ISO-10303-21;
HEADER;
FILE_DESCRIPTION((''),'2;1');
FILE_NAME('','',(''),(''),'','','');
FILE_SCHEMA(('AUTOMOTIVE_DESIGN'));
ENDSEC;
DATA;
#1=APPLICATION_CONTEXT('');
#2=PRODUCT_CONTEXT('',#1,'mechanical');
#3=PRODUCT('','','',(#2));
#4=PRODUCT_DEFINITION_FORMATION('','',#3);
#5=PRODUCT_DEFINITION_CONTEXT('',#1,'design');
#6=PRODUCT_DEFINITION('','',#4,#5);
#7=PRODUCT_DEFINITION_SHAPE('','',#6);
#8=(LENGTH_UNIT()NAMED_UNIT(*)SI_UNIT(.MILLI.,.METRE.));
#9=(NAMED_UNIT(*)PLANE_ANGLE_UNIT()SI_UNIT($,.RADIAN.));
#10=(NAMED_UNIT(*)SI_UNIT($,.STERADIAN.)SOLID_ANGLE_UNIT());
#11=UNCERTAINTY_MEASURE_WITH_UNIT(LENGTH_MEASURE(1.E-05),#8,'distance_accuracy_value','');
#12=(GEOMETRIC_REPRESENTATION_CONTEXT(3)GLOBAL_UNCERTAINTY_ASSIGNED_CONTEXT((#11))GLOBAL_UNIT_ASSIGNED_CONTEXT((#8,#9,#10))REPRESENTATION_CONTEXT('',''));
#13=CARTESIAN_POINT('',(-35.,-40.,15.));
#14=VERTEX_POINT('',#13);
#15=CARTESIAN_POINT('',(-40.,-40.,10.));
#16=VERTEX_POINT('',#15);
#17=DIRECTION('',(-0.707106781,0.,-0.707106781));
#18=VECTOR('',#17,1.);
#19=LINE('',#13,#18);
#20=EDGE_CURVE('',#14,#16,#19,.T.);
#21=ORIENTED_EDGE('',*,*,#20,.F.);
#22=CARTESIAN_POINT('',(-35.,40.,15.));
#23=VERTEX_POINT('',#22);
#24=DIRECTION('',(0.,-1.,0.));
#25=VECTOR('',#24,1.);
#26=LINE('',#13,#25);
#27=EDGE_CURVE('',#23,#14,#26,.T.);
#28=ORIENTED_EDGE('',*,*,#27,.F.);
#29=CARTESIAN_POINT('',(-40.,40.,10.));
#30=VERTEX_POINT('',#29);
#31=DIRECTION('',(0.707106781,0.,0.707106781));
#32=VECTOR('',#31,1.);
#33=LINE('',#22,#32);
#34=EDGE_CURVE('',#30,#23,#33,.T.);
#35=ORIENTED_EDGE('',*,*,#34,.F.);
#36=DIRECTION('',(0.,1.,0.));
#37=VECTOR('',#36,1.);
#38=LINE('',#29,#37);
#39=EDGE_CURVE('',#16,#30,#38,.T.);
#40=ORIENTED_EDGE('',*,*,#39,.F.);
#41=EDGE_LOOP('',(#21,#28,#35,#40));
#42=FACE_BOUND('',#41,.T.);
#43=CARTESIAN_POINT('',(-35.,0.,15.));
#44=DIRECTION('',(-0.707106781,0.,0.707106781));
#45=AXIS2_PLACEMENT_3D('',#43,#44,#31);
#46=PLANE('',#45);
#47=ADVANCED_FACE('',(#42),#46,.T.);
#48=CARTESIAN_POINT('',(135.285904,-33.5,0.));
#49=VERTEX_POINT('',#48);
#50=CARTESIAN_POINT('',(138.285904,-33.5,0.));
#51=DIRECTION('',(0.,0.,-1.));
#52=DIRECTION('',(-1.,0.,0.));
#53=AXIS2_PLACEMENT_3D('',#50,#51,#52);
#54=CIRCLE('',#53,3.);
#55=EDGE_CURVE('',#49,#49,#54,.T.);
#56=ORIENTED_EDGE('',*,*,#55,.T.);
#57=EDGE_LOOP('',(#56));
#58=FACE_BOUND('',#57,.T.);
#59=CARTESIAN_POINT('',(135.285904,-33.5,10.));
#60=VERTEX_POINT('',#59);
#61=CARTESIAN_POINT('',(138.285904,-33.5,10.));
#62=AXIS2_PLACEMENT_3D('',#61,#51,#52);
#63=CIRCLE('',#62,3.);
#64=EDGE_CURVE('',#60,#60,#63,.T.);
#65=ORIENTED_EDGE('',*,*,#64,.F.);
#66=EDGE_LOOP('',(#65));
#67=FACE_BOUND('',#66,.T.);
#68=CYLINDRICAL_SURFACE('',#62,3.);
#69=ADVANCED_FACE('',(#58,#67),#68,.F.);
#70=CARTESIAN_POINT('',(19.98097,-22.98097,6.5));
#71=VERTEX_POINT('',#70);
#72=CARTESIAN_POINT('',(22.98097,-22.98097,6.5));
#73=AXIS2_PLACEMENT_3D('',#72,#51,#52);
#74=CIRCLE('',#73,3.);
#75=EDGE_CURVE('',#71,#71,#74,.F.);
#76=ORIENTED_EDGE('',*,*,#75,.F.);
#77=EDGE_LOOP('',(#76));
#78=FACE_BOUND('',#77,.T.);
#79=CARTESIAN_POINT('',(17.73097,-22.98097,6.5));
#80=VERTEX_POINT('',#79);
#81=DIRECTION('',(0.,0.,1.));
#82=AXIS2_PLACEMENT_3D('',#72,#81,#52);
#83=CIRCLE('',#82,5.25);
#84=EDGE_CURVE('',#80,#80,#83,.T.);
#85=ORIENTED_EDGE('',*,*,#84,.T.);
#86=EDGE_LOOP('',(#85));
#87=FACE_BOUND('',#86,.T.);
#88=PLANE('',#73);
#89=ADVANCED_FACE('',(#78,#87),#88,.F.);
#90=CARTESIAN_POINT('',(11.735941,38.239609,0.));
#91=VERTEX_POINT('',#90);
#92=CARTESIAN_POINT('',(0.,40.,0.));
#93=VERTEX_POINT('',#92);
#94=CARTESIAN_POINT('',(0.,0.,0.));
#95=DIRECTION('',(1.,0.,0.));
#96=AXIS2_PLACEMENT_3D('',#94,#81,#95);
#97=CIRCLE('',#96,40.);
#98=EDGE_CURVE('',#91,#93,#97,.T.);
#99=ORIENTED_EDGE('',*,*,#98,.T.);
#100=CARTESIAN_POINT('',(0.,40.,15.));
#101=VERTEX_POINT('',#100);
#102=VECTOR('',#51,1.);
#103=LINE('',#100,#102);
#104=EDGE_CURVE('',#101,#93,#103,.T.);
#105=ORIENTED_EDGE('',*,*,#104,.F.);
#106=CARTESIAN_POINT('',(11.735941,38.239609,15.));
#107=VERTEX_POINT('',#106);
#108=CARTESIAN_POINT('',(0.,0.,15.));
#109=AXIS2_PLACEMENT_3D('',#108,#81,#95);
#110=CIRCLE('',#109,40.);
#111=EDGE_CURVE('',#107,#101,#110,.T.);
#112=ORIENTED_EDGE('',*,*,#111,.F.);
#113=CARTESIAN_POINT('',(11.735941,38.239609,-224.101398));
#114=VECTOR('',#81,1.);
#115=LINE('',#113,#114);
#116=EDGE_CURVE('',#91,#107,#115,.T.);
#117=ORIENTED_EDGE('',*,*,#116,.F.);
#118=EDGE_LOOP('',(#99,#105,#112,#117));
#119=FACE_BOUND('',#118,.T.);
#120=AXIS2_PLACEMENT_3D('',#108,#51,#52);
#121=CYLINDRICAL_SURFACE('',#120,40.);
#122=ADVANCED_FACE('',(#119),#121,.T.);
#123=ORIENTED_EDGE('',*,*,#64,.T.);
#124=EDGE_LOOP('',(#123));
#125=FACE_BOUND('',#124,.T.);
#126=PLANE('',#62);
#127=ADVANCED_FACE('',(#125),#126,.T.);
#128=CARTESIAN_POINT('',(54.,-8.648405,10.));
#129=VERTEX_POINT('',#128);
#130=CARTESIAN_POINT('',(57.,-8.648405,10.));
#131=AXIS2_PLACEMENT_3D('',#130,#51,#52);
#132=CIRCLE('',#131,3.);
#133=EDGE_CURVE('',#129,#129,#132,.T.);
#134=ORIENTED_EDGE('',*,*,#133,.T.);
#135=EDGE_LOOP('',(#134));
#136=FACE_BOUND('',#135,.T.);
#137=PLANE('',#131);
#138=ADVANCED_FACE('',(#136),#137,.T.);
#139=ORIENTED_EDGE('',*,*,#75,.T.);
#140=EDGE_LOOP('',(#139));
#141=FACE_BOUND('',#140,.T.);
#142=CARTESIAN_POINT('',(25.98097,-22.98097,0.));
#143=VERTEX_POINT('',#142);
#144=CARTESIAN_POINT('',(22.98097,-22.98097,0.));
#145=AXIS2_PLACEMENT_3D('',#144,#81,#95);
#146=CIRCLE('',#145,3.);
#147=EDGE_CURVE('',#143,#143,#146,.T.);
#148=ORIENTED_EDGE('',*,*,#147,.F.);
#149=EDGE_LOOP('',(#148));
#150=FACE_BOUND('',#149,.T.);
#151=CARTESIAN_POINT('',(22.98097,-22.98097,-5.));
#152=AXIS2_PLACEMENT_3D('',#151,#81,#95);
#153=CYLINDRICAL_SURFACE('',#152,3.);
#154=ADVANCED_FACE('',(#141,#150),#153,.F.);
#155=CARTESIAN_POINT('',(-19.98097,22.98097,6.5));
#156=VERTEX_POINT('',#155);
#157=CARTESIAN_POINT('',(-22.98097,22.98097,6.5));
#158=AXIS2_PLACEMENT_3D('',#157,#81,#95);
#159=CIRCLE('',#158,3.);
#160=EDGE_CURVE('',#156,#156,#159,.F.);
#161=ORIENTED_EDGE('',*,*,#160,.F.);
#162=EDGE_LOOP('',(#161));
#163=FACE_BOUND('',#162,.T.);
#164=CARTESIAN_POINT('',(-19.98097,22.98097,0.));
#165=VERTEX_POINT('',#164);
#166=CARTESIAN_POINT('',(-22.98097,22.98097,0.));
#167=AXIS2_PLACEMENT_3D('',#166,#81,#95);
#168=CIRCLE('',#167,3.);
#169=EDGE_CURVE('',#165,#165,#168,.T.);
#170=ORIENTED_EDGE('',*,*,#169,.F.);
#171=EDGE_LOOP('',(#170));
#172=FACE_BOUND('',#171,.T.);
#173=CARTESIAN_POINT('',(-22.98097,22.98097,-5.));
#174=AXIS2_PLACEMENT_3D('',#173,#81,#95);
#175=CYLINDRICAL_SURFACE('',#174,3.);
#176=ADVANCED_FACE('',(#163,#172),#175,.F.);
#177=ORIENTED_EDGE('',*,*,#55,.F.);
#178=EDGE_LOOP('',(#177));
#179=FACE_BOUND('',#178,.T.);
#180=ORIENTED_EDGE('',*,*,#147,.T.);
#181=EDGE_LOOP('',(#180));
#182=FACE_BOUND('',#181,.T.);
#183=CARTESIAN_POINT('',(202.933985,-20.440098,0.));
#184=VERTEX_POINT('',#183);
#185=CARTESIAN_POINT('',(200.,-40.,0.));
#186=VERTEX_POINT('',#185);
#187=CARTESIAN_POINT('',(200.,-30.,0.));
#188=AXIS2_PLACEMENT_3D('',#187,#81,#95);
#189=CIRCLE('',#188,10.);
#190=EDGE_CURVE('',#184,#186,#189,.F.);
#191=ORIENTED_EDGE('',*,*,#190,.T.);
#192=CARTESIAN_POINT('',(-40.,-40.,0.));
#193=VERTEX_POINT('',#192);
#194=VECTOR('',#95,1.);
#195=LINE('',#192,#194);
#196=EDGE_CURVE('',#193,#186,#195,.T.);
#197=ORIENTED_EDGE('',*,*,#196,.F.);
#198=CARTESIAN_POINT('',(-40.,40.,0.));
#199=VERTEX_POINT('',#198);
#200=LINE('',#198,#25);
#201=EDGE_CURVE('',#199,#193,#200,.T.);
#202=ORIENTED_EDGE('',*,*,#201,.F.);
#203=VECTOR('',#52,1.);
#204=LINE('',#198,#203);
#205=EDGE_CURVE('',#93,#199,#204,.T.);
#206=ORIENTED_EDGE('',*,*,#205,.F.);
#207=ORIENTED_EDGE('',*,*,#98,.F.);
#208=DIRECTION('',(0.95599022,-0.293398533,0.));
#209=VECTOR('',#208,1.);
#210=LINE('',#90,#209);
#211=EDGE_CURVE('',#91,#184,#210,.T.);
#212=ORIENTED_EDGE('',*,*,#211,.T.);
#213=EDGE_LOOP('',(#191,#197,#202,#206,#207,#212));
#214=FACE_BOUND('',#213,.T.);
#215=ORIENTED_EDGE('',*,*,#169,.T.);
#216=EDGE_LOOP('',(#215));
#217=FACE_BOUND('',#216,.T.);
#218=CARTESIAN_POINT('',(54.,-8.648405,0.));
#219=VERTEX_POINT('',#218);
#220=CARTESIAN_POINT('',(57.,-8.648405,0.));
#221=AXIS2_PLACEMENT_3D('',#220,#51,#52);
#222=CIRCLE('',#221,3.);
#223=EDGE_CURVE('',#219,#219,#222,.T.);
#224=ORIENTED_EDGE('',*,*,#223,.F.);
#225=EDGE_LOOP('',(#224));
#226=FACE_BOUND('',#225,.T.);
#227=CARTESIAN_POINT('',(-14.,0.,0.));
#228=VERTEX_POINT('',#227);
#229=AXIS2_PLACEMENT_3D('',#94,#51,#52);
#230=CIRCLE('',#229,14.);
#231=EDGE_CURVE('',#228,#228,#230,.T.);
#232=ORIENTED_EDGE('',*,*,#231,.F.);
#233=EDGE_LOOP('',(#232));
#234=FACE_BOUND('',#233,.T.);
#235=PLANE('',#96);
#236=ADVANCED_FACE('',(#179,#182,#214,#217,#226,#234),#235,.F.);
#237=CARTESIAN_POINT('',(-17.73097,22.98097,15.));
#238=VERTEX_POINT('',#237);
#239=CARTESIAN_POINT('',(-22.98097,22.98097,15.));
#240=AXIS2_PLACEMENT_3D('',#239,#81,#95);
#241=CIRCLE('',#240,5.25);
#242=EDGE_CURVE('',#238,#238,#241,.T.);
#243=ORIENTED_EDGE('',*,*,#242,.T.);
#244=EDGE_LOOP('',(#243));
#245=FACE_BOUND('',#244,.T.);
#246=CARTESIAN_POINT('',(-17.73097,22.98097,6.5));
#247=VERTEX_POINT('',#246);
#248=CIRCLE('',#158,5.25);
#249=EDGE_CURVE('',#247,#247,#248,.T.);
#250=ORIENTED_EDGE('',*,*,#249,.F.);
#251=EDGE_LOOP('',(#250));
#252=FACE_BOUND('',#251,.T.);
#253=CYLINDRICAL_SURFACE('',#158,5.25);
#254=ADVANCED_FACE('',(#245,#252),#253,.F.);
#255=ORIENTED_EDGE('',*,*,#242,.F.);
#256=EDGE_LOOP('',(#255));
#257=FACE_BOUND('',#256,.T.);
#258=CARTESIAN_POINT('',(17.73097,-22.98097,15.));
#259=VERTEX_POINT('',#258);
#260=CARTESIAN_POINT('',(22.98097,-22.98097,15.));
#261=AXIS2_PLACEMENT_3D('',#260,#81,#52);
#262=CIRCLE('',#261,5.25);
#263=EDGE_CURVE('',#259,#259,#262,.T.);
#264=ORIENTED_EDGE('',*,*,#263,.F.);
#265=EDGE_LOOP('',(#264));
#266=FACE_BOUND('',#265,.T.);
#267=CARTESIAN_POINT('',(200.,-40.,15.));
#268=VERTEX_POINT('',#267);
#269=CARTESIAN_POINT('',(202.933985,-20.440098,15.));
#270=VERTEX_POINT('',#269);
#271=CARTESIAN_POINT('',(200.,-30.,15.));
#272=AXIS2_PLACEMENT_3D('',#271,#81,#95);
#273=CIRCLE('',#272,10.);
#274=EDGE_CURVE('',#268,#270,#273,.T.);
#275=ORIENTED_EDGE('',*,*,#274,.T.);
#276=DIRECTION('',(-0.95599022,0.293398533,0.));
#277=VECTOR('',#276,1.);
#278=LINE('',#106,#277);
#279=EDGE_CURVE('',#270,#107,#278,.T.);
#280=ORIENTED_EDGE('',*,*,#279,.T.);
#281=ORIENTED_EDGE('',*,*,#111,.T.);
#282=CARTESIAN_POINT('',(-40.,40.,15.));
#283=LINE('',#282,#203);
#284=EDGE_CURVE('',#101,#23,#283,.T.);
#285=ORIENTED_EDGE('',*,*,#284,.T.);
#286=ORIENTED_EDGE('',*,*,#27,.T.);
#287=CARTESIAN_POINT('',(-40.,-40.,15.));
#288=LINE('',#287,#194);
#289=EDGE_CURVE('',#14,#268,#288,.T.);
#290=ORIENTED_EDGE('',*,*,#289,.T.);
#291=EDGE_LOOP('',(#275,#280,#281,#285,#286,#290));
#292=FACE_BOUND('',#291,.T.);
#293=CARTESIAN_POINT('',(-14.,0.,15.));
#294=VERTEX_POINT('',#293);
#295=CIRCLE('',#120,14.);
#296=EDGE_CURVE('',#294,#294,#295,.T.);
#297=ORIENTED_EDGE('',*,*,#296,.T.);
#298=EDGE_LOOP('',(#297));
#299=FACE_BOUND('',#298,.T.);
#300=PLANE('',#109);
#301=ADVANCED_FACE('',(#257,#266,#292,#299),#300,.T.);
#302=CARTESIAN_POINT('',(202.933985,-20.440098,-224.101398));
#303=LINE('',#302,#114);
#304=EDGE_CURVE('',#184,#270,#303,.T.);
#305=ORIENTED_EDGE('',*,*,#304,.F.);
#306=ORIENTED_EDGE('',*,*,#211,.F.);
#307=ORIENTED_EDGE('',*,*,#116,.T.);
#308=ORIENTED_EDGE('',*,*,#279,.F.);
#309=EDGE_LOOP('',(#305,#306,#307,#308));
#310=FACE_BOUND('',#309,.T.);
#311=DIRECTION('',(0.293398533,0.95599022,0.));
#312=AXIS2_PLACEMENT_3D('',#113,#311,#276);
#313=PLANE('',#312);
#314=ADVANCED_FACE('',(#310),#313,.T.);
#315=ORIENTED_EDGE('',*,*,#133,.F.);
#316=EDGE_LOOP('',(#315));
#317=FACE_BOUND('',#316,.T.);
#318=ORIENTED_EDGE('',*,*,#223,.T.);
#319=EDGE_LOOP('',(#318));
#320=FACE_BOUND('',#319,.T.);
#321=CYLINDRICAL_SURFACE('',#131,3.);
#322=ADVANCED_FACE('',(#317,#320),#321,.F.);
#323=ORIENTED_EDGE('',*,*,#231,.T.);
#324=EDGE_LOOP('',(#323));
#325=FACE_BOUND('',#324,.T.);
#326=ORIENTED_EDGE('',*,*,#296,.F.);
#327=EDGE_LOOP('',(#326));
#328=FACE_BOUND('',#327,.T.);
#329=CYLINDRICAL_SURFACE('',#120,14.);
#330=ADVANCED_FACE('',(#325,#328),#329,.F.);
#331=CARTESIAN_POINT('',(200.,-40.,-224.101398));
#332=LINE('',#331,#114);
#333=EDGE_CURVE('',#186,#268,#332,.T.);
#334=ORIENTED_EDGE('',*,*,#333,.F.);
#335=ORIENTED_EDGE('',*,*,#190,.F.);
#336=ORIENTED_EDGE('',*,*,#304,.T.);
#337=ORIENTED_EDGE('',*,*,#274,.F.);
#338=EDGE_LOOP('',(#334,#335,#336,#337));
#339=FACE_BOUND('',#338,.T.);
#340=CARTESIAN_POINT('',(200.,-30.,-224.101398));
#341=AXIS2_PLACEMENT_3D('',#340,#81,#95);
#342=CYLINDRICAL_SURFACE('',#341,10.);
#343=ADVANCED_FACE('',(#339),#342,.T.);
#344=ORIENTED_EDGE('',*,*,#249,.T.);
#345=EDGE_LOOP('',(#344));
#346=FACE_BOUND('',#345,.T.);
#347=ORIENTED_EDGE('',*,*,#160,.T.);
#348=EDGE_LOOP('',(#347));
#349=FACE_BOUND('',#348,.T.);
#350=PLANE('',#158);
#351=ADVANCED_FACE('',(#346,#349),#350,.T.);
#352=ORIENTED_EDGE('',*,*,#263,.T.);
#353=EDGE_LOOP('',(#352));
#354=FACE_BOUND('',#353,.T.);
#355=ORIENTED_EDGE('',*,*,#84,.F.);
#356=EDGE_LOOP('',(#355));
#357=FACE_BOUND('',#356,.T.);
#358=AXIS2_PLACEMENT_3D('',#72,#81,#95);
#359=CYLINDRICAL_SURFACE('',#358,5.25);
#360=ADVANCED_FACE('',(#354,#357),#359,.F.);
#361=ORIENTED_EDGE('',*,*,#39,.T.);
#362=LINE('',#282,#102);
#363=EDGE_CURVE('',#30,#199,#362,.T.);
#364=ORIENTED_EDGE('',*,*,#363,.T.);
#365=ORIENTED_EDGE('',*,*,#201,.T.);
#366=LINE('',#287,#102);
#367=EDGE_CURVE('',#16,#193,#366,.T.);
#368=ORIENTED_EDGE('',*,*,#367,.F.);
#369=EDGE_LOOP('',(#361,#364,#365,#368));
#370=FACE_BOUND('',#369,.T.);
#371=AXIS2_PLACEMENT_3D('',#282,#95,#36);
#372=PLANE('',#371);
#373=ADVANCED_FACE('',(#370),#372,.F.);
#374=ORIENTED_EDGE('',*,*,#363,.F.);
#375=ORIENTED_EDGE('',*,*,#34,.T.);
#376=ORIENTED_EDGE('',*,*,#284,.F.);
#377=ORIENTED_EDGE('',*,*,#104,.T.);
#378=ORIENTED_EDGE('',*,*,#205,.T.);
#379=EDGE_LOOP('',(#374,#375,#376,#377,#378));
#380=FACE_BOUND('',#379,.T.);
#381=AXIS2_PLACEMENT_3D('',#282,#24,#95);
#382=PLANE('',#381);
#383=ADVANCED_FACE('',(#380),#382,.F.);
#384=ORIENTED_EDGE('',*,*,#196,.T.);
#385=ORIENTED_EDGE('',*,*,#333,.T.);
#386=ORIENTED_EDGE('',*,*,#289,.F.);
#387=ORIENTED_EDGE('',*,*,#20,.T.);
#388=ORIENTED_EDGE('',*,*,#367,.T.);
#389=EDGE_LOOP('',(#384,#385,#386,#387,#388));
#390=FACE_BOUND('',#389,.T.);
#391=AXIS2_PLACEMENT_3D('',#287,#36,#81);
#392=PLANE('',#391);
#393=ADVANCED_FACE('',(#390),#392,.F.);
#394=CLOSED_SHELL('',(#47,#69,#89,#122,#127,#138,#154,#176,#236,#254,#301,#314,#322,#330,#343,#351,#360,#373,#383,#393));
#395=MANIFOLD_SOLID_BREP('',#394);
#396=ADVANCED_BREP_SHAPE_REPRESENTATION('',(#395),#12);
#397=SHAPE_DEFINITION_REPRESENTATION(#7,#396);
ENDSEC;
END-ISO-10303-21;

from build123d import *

# Parameters (mm, degrees)
ESTRUSIONE1_DEPTH        = 15
SMUSSO1_SIZE             = 5
SCHIZZO2_R               = 14
TAGLIO_ESTRUSIONE1_DEPTH = 59.523499554
SCHIZZO4_R               = 3
TAGLIO_ESTRUSIONE3_DEPTH = 20
SCHIZZO5_R               = 5.25
TAGLIO_ESTRUSIONE4_DEPTH = 8.5
ESTRUSIONE2_START        = -15
ESTRUSIONE2_DEPTH        = 15
SCHIZZO9_R               = 3
TAGLIO_ESTRUSIONE7_DEPTH = 10


with BuildPart() as part:
    # Schizzo1 → Estrusione1 (new body)
    with BuildSketch(Plane.XY):
        with BuildLine():
            Line((-40, 40), (0, 40))
            ThreePointArc((0, 40), (40, 0), (0, -40))
            Line((0, -40), (-40, -40))
            Line((-40, -40), (-40, 40))
        make_face()
    extrude(amount=ESTRUSIONE1_DEPTH)

    # Smusso1
    smusso1_edges = [part.edges().sort_by_distance(p)[0] for p in [
        (-40, 0, 15),
    ]]
    chamfer(smusso1_edges, length=SMUSSO1_SIZE)

    # Schizzo2 → Taglio-Estrusione1 (cut, through all)
    with BuildSketch(Plane(origin=(0, 0, 0), x_dir=(-1, 0, 0), z_dir=(0, 0, -1))):
        Circle(SCHIZZO2_R)
    extrude(amount=-TAGLIO_ESTRUSIONE1_DEPTH, mode=Mode.SUBTRACT)

    # Schizzo4 → Taglio-Estrusione3 (cut)
    with BuildSketch(Plane.XY.offset(15)):
        with Locations((-22.980970389, 22.980970389)):
            Circle(SCHIZZO4_R)
        with Locations((22.980970389, -22.980970389)):
            Circle(SCHIZZO4_R)
    extrude(amount=-TAGLIO_ESTRUSIONE3_DEPTH, mode=Mode.SUBTRACT)

    # Schizzo5 → Taglio-Estrusione4 (cut)
    with BuildSketch(Plane.XY.offset(15)):
        with Locations((-22.980970389, 22.980970389)):
            Circle(SCHIZZO5_R)
        with Locations(Location((22.980970389, -22.980970389, 0), (0, 0, 180))):
            Circle(SCHIZZO5_R)
    extrude(amount=-TAGLIO_ESTRUSIONE4_DEPTH, mode=Mode.SUBTRACT)

    # Schizzo6 → Estrusione2 (add)
    with BuildSketch(Plane.XY.offset(15).offset(ESTRUSIONE2_START)):
        with BuildLine():
            Line((11.73594132, 38.239608802), (202.93398533, -20.4400978))
            ThreePointArc((202.93398533, -20.4400978), (209.889363529, -31.483404529), (200, -40))
            Line((200, -40), (0, -40))
            ThreePointArc((0, -40), (39.557454115, -5.933618117), (11.73594132, 38.239608802))
        make_face()
    extrude(amount=ESTRUSIONE2_DEPTH)

    # Schizzo9 → Taglio-Estrusione7 (cut)
    with BuildSketch(Plane(origin=(0, 0, 0), x_dir=(-1, 0, 0), z_dir=(0, 0, -1))):
        with Locations((-57, -8.648405099)):
            Circle(SCHIZZO9_R)
        with Locations((-138.285904257, -33.5)):
            Circle(SCHIZZO9_R)
    extrude(amount=-TAGLIO_ESTRUSIONE7_DEPTH, mode=Mode.SUBTRACT)


solid = part.part
